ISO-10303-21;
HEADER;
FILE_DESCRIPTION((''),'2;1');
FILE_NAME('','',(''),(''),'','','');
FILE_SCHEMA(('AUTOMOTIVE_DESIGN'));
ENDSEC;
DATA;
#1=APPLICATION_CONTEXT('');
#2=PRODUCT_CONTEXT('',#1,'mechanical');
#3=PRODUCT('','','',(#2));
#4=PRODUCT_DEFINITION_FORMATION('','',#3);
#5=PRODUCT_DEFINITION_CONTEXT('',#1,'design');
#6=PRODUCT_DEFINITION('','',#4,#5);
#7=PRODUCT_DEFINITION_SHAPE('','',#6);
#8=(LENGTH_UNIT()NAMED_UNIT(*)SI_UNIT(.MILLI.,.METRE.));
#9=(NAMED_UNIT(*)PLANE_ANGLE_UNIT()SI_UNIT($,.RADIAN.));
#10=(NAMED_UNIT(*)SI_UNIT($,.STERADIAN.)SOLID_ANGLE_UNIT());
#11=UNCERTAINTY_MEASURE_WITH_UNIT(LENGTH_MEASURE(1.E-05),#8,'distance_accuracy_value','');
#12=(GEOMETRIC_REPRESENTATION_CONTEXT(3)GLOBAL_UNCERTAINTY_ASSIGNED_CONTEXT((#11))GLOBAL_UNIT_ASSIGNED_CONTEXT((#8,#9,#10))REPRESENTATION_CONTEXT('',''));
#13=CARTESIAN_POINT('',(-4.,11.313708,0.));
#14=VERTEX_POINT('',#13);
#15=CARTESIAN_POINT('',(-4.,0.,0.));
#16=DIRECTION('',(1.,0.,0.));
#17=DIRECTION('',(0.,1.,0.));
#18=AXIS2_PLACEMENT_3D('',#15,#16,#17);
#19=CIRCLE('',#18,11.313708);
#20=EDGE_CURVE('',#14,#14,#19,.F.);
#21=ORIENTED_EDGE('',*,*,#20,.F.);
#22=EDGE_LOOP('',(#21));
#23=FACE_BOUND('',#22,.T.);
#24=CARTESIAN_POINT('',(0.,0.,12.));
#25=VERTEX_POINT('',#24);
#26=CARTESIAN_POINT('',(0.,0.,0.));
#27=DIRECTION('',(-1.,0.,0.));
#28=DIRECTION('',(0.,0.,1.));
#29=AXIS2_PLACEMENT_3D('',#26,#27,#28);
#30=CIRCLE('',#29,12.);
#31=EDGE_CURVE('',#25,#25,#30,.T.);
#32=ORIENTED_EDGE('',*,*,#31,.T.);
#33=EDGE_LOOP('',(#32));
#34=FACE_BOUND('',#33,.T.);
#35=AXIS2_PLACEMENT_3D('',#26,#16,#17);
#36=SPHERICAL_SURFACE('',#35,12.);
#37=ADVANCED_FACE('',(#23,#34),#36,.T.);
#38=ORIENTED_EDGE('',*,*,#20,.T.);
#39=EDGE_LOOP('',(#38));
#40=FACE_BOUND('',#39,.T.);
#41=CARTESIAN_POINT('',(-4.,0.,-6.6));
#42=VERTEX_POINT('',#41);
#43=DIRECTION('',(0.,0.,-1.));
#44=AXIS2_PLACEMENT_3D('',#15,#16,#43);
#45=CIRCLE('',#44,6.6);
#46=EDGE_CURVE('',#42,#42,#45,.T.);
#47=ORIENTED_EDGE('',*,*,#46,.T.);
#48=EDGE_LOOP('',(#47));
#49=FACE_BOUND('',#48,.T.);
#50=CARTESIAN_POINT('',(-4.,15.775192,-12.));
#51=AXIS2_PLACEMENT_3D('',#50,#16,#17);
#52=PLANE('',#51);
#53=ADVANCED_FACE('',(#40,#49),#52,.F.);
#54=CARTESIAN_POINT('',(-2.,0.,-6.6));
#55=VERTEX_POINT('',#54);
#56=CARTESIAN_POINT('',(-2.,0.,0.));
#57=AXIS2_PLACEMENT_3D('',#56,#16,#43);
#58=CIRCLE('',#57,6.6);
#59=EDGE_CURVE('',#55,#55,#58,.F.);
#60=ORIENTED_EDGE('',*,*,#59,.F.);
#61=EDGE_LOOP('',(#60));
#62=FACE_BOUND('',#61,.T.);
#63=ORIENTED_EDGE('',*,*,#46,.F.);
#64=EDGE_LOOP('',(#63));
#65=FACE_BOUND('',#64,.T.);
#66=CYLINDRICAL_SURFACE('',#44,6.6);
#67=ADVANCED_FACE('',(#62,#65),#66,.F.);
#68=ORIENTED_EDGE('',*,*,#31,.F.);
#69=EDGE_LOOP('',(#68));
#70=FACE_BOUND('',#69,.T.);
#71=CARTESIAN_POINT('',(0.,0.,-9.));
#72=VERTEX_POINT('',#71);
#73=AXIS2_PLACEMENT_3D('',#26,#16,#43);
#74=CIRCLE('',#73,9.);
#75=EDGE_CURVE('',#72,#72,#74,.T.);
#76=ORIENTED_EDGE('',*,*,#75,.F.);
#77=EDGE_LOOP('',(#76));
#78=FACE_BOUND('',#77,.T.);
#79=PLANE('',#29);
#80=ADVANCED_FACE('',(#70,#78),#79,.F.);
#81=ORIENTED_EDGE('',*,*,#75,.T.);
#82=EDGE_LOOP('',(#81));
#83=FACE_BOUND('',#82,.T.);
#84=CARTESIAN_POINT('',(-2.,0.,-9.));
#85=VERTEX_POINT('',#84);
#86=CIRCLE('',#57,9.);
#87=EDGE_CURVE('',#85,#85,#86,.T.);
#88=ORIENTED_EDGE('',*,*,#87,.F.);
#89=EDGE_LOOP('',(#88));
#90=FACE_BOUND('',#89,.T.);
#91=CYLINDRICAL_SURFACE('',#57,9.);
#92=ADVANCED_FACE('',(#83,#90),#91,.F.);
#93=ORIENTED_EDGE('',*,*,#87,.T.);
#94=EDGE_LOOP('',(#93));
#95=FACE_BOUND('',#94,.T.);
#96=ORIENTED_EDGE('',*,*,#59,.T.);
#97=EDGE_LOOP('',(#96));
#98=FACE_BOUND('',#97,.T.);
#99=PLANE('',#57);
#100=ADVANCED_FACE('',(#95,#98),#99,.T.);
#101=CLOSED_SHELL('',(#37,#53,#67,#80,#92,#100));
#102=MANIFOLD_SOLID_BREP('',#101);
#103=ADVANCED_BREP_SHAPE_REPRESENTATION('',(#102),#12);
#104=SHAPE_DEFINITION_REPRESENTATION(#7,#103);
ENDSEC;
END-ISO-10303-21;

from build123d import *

# Parameters (mm, degrees)
REVOLVE_1_ANGLE          = 180
CUT_EXTRUDE_3_DEPTH      = 21.784609691
CUT_EXTRUDE_3_DEPTH_BACK = 21.784609691
SKETCH_5_W               = 8
SKETCH_5_H               = 30
SKETCH_11_R              = 6.6
CUT_EXTRUDE_7_DEPTH      = 18.435595774
SKETCH_12_R              = 9
CUT_EXTRUDE_8_DEPTH      = 2


with BuildPart() as part:
    # 草图1 → 旋转1 (revolve)
    with BuildSketch(Plane(origin=(0, 0, 0), x_dir=(0, 0, -1), z_dir=(1, 0, 0))):
        with BuildLine():
            Line((0, 12), (0, -12))
            ThreePointArc((0, -12), (-12, 0), (0, 12))
        make_face()
    revolve(axis=Axis((0, 12, 0), (0, -1, 0)), revolution_arc=REVOLVE_1_ANGLE)

    # 草图5 → 切除-拉伸3 (cut, two sides: drawn at the far end of the back side and taken through both)
    with BuildSketch(Plane.XY.offset(-CUT_EXTRUDE_3_DEPTH_BACK)):
        with Locations((-8, 0.775192037)):
            Rectangle(SKETCH_5_W, SKETCH_5_H)
    extrude(amount=CUT_EXTRUDE_3_DEPTH + CUT_EXTRUDE_3_DEPTH_BACK, mode=Mode.SUBTRACT)


with BuildPart() as cut_extrude_3_kept_piece:
    # of the separate pieces the step leaves, the one the design keeps (cut_extrude_3_pieces_kept)
    add(part.part.solids().sort_by_distance((0, -12, 0))[0])

    # 草图11 → 切除-拉伸7 (cut, through all)
    with BuildSketch(Plane(origin=(0, 0, 0), x_dir=(0, 0, -1), z_dir=(1, 0, 0))):
        Circle(SKETCH_11_R)
    extrude(amount=-CUT_EXTRUDE_7_DEPTH, mode=Mode.SUBTRACT)

    # 草图12 → 切除-拉伸8 (cut)
    with BuildSketch(Plane(origin=(0, 0, 0), x_dir=(0, 0, -1), z_dir=(1, 0, 0))):
        Circle(SKETCH_12_R)
    extrude(amount=-CUT_EXTRUDE_8_DEPTH, mode=Mode.SUBTRACT)


solid = cut_extrude_3_kept_piece.part
